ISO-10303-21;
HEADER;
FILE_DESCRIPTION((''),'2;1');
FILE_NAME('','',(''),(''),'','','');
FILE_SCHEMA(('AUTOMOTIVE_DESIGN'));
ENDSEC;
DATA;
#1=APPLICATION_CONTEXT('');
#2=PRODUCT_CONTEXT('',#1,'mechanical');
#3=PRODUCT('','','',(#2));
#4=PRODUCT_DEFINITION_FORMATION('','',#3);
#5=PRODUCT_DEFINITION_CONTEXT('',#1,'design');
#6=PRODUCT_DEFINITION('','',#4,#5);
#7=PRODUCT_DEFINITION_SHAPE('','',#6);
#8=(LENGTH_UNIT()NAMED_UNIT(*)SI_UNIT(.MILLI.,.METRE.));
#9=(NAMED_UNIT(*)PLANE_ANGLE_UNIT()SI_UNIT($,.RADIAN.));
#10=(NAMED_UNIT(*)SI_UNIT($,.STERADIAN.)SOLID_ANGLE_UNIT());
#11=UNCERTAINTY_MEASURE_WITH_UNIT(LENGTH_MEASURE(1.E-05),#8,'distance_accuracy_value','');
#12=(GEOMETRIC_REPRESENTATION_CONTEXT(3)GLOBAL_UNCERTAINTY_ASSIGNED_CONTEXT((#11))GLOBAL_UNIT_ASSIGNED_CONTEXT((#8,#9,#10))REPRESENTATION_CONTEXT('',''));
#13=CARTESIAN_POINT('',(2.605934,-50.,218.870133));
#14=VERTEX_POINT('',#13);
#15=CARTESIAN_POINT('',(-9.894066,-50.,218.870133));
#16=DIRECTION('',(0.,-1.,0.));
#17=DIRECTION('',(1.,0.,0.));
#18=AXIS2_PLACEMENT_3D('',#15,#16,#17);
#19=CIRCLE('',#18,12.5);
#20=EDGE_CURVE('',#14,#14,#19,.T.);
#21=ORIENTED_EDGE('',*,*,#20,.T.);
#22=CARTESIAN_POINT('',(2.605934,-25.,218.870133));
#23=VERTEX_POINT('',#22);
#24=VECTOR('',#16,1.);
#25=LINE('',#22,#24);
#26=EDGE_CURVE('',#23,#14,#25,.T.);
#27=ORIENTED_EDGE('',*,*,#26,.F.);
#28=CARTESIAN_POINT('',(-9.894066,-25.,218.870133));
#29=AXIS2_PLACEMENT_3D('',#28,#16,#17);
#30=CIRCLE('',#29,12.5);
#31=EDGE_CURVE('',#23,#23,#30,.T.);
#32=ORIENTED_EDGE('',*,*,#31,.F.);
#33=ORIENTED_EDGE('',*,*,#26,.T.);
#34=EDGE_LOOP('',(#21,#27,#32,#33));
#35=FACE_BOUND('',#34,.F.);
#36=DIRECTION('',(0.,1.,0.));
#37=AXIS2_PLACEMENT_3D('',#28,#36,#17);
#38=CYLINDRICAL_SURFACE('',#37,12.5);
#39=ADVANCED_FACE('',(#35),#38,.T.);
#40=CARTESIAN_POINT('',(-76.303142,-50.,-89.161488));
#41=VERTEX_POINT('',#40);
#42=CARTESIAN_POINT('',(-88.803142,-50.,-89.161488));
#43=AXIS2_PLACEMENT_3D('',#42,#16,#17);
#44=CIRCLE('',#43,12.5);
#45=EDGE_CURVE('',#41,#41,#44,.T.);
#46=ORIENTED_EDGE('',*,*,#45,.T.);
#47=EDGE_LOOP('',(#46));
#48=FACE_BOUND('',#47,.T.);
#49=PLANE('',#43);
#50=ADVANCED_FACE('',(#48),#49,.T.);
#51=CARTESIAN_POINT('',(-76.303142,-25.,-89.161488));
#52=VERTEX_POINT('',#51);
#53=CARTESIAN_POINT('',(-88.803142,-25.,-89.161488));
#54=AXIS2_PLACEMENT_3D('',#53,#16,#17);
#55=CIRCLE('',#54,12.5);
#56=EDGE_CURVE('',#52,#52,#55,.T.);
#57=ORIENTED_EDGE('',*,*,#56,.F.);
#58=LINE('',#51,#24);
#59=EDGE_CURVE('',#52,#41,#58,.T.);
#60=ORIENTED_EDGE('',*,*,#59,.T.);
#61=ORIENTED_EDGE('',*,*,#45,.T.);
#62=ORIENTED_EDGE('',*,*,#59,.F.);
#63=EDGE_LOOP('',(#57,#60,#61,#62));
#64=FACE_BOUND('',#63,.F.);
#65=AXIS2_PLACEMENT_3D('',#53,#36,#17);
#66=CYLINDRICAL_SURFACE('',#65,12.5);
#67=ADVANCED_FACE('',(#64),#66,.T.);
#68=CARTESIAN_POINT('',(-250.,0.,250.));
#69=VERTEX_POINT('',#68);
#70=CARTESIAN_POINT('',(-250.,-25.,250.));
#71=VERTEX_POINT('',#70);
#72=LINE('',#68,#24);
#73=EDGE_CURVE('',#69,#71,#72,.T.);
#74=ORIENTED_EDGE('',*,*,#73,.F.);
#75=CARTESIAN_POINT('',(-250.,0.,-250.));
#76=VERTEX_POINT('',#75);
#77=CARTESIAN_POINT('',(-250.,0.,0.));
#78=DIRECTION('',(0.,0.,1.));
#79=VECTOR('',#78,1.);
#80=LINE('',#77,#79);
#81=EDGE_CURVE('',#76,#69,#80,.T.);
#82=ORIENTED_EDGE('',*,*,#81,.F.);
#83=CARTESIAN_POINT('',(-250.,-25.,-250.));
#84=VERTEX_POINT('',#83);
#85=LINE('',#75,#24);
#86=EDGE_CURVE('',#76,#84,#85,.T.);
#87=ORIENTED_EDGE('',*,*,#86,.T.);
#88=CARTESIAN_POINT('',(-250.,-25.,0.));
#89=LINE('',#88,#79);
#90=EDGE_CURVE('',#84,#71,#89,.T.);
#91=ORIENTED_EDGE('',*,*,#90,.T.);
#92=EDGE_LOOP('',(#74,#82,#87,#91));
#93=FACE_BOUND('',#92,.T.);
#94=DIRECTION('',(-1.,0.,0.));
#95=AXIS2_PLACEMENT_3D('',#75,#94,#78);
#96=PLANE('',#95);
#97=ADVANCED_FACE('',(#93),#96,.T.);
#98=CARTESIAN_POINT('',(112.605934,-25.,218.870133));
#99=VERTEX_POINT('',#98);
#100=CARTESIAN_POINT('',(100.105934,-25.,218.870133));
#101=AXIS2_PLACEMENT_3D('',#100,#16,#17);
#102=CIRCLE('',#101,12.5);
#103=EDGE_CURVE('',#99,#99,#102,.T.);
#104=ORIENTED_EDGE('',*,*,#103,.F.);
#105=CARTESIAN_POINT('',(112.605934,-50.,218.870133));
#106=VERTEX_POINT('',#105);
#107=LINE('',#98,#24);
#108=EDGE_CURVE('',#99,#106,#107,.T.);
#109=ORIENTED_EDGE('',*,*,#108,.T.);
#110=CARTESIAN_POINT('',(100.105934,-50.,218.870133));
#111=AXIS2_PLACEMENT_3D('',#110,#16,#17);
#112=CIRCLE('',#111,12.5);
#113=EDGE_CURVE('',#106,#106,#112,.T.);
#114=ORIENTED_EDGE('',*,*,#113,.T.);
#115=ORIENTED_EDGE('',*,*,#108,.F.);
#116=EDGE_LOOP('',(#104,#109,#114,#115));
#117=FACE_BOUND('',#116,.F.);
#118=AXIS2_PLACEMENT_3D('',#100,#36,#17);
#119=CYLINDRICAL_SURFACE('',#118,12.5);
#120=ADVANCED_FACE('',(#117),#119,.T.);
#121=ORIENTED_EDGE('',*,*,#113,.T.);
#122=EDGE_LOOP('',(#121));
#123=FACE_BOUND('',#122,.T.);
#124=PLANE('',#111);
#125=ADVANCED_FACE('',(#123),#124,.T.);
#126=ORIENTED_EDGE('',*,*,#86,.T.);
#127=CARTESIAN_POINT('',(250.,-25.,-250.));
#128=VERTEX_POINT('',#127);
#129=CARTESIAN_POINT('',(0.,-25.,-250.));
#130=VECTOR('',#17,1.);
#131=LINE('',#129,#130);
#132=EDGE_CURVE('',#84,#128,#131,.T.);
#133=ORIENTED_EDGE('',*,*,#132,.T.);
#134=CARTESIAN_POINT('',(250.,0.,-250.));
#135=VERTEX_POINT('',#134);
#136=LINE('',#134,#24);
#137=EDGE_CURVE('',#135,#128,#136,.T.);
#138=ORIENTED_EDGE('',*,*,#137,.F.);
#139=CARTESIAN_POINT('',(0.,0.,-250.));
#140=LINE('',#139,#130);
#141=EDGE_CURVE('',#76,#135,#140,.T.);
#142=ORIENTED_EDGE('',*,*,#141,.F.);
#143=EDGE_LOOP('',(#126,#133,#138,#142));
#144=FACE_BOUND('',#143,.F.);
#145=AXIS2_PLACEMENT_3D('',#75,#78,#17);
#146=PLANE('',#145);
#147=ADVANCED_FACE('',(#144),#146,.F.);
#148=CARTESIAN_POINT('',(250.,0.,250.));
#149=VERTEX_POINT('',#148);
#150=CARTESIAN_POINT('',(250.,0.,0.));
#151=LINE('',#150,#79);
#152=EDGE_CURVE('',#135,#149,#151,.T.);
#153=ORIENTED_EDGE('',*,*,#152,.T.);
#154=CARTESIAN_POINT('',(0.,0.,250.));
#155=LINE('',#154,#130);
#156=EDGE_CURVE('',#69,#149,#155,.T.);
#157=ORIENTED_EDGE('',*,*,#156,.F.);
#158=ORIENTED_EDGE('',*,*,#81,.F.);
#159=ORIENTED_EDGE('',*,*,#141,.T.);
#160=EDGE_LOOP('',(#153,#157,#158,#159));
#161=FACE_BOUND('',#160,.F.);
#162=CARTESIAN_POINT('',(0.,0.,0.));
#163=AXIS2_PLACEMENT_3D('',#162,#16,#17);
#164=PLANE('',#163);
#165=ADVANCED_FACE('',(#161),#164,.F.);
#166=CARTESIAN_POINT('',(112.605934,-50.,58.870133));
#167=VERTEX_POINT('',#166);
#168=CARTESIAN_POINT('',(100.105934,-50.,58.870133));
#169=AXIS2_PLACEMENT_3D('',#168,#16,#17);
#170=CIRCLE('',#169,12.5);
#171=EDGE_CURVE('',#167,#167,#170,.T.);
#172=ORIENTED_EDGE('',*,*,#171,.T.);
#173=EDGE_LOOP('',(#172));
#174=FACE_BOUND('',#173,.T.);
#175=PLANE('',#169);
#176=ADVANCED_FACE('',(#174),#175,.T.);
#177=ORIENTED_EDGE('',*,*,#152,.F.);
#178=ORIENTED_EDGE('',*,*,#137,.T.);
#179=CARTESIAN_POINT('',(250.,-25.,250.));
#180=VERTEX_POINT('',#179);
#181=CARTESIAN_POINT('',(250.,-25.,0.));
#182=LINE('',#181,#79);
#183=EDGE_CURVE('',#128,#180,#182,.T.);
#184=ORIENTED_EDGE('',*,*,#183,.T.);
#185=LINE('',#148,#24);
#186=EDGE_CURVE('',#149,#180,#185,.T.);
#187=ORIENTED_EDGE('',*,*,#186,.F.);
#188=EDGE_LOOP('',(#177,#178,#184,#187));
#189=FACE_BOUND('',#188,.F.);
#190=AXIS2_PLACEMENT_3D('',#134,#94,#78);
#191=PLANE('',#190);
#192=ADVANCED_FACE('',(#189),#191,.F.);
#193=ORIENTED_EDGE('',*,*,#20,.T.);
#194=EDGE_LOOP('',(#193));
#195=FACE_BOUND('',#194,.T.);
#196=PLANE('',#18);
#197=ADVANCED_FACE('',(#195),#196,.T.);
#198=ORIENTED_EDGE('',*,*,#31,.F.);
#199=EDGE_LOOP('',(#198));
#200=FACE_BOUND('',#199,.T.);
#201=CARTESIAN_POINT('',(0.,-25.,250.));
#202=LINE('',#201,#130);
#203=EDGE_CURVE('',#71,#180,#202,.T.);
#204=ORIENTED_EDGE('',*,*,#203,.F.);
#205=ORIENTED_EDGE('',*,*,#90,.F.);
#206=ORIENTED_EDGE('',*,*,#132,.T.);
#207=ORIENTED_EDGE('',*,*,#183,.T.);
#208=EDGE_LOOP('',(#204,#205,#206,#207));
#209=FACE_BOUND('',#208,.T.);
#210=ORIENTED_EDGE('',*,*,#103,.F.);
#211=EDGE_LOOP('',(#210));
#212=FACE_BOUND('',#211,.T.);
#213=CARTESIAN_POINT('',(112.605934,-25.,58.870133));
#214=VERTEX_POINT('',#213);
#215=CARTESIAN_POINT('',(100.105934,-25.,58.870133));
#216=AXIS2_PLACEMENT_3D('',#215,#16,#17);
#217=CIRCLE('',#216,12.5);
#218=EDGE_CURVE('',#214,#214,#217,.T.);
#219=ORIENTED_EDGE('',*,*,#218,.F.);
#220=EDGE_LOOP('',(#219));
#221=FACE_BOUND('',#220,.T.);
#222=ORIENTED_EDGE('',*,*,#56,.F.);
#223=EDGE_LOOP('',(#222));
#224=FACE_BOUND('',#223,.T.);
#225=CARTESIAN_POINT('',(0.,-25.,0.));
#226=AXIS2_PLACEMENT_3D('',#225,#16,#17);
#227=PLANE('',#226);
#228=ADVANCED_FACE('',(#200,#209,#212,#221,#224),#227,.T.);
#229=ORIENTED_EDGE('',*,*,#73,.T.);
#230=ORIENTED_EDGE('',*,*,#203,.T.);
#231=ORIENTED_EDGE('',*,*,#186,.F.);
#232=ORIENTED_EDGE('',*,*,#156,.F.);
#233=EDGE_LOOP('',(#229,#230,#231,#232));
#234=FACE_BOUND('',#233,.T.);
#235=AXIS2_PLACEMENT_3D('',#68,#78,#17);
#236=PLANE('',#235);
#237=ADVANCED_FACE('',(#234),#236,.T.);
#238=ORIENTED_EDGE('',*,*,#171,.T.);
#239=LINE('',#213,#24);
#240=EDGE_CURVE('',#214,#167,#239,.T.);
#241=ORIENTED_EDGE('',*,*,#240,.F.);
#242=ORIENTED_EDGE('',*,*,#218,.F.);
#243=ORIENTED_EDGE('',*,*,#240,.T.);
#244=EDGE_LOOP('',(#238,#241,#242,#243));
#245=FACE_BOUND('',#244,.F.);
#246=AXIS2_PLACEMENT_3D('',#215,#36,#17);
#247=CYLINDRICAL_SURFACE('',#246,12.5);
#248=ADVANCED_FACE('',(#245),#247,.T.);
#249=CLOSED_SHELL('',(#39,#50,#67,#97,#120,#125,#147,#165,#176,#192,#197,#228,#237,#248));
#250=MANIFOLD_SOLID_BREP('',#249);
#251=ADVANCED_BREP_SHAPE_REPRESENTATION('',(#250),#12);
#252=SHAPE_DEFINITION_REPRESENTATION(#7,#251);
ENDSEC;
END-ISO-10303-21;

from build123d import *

# Parameters (mm, degrees)
F0_W     = 500
F0_H     = 500
F1_DEPTH = 25
F2_R     = 12.5
F3_DEPTH = 25


with BuildPart() as f1:
    # F0 (on Front) → F1 (new body)
    with BuildSketch(Plane.XZ):
        Rectangle(F0_W, F0_H)
    extrude(amount=F1_DEPTH)

    # F2 (on face) → F3 (join)
    with BuildSketch(Plane.XZ.offset(25)):
        with Locations((-9.894066, 218.870133)):
            Circle(F2_R)
        with Locations((100.105934, 218.870133)):
            Circle(F2_R)
        with Locations((100.105934, 58.870133)):
            Circle(F2_R)
        with Locations((-88.803142, -89.161488)):
            Circle(F2_R)
    extrude(amount=F3_DEPTH)


solid = f1.part
